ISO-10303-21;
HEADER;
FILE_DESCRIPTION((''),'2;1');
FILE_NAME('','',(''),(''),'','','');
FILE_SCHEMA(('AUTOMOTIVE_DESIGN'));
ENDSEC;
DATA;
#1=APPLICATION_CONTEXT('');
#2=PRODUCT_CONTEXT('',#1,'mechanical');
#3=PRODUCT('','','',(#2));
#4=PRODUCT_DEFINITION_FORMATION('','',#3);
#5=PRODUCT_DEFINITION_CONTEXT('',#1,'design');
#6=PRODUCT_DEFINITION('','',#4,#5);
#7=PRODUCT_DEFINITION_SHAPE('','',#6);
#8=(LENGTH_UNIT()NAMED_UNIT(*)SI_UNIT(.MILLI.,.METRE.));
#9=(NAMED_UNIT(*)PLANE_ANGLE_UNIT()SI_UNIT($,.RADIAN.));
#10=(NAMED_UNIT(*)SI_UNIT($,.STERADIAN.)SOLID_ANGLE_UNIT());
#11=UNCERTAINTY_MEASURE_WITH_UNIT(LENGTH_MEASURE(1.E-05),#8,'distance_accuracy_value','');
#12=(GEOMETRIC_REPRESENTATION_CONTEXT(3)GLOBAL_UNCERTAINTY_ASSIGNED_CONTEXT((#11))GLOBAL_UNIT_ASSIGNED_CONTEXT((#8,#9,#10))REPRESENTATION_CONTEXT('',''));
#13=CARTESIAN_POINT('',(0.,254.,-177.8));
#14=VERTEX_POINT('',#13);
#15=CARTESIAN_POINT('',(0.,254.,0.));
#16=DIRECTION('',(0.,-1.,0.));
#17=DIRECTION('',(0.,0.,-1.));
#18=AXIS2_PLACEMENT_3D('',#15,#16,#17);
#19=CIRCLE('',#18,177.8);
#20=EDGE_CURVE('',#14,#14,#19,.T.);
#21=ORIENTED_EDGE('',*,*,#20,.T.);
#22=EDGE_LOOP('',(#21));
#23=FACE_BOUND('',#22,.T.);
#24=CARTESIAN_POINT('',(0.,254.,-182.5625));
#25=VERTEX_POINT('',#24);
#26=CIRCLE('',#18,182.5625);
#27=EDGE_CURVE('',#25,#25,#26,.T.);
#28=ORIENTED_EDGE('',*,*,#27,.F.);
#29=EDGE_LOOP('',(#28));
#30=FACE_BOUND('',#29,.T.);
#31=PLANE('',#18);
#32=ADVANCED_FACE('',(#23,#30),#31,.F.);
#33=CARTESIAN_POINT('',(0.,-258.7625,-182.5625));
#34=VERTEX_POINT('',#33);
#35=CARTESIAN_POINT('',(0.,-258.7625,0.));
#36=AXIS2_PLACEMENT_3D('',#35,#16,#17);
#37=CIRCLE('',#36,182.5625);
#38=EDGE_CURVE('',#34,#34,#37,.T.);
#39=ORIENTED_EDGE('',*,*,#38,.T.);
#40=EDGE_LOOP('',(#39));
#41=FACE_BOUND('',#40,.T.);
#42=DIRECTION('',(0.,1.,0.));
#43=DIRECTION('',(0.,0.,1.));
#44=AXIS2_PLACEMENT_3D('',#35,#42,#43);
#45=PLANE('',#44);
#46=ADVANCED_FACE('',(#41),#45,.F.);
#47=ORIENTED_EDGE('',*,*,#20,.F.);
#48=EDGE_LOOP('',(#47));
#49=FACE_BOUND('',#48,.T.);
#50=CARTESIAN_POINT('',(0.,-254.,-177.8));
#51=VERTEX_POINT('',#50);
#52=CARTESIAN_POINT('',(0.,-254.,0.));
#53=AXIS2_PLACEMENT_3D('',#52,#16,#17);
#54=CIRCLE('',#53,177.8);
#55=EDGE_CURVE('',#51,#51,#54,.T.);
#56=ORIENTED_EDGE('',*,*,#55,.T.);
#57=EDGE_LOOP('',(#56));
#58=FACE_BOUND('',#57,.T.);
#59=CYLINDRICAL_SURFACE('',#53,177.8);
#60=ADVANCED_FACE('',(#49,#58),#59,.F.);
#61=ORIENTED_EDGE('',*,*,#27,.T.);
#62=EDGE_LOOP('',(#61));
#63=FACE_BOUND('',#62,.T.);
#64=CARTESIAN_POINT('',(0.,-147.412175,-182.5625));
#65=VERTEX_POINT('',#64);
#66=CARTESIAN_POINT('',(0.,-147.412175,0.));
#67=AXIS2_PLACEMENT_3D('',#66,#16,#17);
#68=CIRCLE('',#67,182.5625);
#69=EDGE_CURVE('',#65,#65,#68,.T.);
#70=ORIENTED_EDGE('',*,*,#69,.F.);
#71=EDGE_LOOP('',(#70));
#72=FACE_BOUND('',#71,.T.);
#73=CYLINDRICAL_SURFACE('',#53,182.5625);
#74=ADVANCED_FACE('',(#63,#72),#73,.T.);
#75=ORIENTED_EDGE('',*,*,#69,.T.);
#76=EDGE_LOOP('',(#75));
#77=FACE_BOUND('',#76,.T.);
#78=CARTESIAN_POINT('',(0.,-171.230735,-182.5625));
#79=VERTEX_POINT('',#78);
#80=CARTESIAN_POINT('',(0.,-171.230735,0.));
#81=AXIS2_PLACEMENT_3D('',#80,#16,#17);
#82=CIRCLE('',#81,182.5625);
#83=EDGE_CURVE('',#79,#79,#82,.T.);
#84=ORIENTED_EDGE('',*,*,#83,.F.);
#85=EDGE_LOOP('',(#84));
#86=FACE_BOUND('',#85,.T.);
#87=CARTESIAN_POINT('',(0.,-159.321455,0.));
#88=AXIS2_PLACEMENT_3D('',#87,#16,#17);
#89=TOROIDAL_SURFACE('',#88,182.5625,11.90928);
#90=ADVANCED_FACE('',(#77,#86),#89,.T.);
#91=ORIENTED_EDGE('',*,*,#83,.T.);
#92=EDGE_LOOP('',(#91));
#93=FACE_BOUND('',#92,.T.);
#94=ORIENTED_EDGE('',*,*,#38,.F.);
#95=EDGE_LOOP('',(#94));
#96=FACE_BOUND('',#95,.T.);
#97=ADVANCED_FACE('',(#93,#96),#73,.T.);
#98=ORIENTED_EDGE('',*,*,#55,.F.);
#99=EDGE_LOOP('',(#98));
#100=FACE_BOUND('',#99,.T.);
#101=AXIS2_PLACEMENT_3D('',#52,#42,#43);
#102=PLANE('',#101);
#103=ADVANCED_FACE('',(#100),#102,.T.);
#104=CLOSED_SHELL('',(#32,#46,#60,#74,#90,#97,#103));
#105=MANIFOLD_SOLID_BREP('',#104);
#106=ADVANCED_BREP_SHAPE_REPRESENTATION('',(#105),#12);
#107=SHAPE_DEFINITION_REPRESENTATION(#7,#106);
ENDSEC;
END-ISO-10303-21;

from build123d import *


with BuildPart() as part:
    # Sketch1 → Revolve1 (revolve)
    with BuildSketch(Plane.XY):
        with BuildLine():
            Line((-177.8, 254), (-182.5625, 254))
            Line((-182.5625, 254), (-182.5625, -147.412175031))
            ThreePointArc((-182.5625, -147.412175031), (-194.471779803, -159.321454834), (-182.5625, -171.230734636))
            Line((-182.5625, -171.230734636), (-182.5625, -258.7625))
            Line((-182.5625, -258.7625), (0, -258.7625))
            Line((0, -258.7625), (0, -254))
            Line((0, -254), (-177.8, -254))
            Line((-177.8, -254), (-177.8, 254))
        make_face()
    revolve(axis=Axis((0, -254, 0), (0, 1, 0)))


solid = part.part
